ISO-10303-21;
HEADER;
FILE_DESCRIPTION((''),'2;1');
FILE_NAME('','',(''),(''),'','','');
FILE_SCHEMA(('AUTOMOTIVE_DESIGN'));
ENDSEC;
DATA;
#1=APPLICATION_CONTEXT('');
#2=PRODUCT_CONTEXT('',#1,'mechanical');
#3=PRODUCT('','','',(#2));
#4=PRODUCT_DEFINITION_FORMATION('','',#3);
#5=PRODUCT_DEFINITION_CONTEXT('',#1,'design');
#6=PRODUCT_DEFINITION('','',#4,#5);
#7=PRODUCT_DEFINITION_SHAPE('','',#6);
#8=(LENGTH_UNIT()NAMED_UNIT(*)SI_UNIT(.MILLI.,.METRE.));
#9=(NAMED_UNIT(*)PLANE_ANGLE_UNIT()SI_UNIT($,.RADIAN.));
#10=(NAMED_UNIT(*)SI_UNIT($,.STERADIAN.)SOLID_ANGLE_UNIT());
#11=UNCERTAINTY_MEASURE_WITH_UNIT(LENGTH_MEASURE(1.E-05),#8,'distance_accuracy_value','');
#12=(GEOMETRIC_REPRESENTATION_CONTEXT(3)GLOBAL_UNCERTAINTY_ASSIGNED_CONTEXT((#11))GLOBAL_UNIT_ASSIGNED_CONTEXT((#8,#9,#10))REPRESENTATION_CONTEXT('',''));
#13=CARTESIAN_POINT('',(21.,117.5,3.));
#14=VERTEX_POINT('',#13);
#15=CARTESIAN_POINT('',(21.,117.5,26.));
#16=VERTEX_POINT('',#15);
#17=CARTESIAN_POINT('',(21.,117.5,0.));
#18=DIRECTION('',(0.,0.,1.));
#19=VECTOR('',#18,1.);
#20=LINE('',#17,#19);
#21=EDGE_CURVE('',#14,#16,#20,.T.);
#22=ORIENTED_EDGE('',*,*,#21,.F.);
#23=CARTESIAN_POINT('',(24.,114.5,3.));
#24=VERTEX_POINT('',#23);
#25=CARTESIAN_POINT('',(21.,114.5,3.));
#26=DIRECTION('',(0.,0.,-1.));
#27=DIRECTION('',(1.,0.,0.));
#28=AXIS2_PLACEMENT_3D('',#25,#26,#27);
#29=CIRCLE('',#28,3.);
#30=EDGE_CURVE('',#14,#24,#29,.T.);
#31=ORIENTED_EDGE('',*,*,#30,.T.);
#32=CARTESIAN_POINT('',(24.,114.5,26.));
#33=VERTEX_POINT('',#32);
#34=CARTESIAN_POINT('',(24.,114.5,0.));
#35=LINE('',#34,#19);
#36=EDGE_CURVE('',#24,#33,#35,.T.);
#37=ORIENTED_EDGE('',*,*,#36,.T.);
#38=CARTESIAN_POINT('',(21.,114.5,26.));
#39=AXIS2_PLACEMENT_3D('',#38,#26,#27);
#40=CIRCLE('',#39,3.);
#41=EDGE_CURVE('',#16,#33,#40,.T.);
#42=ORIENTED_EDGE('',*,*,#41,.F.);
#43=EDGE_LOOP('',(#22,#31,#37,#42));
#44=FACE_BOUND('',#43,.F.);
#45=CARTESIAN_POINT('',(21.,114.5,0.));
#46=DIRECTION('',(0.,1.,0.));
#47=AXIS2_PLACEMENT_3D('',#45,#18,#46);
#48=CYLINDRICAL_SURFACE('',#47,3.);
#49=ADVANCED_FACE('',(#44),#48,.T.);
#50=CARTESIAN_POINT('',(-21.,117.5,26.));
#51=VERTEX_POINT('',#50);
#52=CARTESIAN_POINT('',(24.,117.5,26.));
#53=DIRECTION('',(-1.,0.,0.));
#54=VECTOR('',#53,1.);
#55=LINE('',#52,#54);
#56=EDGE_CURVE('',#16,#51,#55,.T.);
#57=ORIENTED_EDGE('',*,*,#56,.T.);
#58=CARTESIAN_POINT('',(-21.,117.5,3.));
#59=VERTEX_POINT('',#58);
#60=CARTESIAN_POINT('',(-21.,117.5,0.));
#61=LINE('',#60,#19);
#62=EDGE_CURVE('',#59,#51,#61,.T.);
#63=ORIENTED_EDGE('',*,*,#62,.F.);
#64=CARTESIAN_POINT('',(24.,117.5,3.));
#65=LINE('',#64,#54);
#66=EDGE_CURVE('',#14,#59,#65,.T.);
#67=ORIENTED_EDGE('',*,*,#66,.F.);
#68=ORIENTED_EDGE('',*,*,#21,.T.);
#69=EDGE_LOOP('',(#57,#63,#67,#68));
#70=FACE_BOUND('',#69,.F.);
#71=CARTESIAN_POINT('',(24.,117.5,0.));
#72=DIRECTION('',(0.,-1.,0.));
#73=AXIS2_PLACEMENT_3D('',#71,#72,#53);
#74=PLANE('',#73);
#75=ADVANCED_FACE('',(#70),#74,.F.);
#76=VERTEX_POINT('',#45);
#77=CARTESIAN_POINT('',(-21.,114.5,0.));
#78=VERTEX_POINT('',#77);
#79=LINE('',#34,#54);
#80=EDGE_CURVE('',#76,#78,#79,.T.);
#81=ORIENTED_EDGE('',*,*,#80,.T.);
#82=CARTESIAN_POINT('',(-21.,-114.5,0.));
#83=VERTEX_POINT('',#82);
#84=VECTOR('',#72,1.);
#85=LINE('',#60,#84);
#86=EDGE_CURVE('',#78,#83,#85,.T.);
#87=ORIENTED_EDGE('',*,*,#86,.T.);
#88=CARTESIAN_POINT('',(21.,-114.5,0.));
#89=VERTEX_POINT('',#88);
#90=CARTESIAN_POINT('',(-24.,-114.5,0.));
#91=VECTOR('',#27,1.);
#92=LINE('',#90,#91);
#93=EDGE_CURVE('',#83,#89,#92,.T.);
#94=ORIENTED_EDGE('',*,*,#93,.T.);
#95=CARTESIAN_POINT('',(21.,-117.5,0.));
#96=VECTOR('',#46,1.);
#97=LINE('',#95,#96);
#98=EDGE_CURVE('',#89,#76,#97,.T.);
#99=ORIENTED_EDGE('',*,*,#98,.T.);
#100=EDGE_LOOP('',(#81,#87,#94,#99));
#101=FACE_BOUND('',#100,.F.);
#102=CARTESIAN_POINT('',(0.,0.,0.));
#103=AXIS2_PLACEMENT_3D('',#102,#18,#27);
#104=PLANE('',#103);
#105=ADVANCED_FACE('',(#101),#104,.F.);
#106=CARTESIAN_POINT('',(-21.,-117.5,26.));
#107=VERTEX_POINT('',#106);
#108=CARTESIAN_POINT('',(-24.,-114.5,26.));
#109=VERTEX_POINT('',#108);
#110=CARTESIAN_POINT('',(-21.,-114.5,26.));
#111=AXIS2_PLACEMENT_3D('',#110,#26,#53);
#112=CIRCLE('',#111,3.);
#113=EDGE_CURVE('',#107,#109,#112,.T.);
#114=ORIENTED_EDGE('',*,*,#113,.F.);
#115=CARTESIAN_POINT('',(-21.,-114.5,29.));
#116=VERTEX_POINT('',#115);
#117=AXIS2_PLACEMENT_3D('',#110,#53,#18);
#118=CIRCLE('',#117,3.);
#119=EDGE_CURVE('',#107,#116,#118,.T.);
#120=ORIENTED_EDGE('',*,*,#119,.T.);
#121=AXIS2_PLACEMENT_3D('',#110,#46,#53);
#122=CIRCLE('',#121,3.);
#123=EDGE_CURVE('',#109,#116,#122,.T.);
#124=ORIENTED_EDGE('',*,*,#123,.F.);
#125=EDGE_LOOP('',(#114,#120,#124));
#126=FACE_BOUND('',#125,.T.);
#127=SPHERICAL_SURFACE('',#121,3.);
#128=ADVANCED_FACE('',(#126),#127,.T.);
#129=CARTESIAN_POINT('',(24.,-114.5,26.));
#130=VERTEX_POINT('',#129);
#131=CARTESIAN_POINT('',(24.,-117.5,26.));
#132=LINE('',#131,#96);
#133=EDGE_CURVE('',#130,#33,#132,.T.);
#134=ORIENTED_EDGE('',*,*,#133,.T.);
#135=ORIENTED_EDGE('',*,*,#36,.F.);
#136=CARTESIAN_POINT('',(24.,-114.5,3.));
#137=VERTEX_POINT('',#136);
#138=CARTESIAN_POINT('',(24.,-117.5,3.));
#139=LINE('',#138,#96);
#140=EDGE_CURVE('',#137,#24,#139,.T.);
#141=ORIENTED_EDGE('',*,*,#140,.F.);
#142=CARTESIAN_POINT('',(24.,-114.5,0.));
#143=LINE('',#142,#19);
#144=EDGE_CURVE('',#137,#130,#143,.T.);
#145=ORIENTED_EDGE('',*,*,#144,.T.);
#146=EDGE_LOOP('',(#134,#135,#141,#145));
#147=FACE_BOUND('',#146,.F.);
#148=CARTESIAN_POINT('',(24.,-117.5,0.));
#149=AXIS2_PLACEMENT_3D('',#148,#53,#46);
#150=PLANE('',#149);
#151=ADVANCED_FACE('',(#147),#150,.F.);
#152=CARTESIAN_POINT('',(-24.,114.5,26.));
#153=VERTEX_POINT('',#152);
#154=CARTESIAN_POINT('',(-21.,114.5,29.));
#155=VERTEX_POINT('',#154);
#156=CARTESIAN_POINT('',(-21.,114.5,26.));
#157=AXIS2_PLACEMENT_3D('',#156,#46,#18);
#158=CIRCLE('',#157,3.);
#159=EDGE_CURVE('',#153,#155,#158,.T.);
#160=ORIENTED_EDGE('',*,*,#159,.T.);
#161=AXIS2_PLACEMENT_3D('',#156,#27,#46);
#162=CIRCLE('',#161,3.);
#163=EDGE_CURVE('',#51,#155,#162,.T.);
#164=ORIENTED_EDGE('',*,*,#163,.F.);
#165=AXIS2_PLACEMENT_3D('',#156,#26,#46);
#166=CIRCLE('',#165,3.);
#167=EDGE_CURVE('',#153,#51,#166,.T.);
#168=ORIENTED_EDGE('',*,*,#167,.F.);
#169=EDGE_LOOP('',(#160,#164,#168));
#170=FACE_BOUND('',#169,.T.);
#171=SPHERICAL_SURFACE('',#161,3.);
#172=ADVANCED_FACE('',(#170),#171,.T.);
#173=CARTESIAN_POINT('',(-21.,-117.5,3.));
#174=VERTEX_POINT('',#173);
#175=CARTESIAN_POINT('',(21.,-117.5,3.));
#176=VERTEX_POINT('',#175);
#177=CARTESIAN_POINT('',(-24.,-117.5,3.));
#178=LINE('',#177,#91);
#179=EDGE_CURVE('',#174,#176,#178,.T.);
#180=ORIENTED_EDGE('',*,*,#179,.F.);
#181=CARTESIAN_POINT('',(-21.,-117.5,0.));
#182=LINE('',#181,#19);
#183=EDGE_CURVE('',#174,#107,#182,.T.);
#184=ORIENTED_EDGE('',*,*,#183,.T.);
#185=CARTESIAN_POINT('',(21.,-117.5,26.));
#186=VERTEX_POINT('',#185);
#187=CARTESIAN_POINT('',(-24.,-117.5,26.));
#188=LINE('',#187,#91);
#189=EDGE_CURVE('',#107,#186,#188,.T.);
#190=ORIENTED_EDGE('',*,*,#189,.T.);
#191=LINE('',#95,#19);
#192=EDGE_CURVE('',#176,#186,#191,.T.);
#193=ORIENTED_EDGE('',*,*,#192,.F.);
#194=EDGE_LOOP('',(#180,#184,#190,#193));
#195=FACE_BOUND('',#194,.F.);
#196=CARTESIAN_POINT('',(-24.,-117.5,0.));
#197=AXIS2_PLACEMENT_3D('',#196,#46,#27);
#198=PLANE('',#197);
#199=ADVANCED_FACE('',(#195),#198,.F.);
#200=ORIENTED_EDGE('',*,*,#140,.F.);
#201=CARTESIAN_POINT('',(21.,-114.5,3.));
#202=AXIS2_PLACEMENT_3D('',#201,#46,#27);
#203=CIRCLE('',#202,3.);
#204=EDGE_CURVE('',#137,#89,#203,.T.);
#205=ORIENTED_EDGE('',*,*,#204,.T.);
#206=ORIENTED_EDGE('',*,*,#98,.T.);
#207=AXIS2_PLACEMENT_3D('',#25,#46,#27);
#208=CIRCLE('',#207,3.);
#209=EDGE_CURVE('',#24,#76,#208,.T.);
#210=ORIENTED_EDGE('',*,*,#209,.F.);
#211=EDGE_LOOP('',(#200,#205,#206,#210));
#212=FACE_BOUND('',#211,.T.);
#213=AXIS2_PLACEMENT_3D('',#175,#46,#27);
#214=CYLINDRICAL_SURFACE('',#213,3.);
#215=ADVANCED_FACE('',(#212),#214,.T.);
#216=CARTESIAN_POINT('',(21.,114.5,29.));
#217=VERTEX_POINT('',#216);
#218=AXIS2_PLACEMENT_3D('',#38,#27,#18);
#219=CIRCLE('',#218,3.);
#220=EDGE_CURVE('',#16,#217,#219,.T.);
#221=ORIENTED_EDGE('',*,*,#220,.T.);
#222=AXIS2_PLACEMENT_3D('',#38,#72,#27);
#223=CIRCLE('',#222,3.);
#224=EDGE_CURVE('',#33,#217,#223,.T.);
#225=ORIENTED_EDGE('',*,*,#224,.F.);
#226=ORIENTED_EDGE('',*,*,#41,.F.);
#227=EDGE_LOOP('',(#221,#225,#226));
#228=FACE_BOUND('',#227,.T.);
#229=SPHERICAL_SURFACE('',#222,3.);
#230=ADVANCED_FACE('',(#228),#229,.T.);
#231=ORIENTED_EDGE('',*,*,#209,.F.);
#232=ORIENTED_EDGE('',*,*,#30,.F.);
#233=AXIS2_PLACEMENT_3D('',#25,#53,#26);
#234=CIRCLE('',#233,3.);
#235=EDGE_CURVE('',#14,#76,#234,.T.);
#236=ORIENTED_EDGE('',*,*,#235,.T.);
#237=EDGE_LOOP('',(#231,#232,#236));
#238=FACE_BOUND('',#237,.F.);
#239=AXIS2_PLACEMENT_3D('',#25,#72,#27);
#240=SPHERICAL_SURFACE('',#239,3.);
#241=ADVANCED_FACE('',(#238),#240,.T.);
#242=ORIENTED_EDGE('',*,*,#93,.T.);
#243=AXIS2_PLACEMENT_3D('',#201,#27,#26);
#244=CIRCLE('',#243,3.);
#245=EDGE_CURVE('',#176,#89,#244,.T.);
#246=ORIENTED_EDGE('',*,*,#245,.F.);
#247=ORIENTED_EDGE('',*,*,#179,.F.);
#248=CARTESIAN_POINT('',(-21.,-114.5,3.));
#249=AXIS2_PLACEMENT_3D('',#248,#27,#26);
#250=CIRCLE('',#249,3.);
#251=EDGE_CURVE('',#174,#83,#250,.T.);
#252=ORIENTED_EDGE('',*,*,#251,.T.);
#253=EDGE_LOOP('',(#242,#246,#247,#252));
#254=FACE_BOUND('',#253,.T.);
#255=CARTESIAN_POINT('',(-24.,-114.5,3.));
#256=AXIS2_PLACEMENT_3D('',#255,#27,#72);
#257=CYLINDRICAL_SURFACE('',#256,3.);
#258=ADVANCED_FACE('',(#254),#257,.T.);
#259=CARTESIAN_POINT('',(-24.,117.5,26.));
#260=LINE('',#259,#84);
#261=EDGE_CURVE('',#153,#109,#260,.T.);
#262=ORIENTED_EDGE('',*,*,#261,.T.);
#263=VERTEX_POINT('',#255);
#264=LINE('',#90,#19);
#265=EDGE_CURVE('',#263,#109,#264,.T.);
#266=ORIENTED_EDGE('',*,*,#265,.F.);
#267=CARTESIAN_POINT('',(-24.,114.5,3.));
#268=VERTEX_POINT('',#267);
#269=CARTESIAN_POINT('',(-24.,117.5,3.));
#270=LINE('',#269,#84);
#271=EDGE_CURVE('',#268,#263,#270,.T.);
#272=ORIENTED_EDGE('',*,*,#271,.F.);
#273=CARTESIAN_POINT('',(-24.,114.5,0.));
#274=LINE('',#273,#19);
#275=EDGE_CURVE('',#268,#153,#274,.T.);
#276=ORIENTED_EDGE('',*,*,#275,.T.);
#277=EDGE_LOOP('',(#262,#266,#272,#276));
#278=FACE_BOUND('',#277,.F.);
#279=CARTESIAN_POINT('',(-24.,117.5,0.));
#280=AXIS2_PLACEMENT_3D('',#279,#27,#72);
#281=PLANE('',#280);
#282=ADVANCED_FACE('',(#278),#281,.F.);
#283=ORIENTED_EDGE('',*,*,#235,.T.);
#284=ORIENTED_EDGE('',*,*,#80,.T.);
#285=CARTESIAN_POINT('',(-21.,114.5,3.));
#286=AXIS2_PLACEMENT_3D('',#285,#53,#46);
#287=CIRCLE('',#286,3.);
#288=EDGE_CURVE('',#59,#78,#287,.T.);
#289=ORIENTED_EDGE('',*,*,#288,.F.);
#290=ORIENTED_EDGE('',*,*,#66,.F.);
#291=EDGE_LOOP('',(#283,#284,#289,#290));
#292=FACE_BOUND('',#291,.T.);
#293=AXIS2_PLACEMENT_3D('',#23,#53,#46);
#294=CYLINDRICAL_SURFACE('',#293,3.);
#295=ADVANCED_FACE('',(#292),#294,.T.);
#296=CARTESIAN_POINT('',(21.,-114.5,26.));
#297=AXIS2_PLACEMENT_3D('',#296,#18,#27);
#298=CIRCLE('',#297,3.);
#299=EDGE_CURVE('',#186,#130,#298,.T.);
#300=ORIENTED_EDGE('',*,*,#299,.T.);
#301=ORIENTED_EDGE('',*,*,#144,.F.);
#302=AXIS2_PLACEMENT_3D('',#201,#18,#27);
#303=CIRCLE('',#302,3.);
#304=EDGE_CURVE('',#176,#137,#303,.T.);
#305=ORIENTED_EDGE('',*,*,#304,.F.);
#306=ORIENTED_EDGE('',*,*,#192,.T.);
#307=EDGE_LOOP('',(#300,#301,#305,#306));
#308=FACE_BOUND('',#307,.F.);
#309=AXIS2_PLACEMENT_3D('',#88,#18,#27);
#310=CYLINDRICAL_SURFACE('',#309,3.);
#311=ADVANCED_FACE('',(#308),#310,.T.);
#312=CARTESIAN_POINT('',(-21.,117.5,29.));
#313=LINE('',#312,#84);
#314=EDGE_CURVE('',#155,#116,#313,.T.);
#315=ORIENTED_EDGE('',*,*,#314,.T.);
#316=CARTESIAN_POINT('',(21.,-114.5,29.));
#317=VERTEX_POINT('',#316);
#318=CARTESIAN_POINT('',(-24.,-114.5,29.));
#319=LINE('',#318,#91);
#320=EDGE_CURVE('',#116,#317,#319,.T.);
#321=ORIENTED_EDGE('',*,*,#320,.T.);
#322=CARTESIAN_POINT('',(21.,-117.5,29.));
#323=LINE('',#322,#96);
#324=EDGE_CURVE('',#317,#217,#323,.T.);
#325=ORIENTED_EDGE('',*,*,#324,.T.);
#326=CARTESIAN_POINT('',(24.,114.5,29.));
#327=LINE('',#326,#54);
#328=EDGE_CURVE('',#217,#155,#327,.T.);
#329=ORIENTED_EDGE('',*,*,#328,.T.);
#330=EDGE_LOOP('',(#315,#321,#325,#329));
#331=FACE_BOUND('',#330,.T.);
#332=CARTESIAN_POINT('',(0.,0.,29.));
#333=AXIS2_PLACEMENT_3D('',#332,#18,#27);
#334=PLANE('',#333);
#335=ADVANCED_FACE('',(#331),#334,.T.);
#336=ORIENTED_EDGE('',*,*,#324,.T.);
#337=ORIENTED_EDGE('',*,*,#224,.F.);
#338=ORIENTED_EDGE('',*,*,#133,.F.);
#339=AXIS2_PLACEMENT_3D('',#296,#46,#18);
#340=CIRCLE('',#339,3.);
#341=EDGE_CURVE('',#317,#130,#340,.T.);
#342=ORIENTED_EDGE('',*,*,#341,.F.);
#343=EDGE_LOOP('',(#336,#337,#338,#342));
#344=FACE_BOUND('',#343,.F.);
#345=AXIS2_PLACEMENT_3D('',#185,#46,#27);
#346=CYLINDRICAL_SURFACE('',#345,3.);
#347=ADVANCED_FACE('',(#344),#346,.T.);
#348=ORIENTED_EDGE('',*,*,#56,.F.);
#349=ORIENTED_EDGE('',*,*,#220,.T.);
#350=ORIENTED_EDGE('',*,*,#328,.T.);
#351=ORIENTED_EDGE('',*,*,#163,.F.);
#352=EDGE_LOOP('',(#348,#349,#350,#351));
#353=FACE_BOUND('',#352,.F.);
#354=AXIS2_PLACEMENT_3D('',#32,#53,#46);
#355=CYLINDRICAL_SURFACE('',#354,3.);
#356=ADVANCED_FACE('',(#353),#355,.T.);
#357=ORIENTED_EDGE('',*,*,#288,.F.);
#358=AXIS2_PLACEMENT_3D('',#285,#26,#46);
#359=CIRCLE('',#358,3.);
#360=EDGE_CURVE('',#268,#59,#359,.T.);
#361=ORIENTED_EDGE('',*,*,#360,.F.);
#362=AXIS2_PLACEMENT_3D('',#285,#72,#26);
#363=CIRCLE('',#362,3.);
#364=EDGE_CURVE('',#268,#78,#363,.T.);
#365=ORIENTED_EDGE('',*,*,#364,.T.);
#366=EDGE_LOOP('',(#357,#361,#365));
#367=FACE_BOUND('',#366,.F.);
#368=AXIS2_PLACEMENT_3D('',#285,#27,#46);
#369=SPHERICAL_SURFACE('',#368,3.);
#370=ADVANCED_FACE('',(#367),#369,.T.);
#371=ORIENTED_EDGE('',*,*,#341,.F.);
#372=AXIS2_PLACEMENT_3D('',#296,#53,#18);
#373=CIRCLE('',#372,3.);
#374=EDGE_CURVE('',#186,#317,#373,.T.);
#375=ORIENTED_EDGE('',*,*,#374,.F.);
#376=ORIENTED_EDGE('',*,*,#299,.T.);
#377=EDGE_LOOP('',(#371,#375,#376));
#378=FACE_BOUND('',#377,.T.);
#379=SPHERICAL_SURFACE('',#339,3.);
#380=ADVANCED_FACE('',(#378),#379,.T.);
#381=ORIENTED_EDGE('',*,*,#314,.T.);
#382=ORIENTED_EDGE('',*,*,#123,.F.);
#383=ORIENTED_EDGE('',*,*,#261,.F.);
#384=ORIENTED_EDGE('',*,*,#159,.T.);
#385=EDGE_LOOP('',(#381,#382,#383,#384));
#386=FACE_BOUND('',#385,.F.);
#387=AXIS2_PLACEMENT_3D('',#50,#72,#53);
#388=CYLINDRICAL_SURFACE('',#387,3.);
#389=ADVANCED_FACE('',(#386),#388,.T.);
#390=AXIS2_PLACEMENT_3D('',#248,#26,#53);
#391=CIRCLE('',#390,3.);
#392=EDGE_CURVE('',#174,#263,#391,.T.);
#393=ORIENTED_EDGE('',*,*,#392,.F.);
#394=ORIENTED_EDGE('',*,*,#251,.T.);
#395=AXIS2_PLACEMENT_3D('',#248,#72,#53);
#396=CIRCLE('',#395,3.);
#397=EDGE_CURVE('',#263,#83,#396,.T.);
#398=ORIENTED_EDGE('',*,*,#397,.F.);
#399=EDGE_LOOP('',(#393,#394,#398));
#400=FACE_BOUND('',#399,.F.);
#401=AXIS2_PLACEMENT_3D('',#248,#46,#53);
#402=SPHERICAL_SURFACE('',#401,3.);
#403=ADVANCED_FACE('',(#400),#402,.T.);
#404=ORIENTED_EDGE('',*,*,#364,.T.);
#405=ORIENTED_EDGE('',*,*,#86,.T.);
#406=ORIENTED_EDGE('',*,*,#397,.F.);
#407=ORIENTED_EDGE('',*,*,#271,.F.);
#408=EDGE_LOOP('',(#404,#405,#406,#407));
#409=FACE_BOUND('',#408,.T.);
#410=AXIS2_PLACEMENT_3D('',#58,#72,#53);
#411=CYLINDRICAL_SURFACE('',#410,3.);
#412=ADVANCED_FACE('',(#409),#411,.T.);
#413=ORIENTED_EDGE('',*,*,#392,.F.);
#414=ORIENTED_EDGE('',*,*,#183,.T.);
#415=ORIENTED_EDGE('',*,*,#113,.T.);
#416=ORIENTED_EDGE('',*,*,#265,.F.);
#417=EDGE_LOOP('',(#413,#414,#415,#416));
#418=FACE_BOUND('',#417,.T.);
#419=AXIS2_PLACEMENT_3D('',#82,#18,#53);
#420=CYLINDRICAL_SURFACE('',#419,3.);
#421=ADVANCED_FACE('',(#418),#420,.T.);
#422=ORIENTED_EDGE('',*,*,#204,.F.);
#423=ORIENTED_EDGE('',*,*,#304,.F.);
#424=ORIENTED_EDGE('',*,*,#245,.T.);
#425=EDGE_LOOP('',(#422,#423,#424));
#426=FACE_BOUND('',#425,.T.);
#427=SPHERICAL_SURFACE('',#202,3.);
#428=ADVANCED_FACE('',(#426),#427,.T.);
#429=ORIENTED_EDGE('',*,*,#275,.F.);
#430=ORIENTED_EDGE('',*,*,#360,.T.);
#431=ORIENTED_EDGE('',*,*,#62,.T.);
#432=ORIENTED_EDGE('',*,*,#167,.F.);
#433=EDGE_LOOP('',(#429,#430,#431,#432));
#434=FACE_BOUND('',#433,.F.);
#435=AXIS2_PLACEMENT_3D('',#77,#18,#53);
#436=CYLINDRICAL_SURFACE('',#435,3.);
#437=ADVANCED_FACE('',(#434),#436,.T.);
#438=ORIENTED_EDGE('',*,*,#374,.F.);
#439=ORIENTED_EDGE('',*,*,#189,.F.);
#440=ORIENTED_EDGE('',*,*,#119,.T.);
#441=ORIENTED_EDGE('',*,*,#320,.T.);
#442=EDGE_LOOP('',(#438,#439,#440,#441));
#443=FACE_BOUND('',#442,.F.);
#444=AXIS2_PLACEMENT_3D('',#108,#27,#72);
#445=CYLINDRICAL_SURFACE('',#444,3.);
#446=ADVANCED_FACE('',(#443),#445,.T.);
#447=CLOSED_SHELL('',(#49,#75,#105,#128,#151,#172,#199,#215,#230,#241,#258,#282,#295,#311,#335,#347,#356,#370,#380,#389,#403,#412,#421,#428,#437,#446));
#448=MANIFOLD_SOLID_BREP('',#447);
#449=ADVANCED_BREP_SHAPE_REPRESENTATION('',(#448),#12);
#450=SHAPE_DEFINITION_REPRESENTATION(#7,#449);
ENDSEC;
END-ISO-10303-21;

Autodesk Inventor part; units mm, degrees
ref_plane "YZ Plane" through (0, 0, 0) normal (1, 0, 0) x (0, 1, 0)
ref_plane "XZ Plane" through (0, 0, 0) normal (0, 1, 0) x (-1, 0, 0)
ref_plane "XY Plane" through (0, 0, 0) normal (0, 0, 1) x (1, 0, 0)
sketch "Sketch1" plane through (0, 0, 0) normal (0, 0, 1) x (1, 0, 0)
  line L0 (-24, -117.5) -> (24, -117.5)
  line L1 (24, -117.5) -> (24, 117.5)
  line L2 (24, 117.5) -> (-24, 117.5)
  line L3 (-24, 117.5) -> (-24, -117.5)
  line L4 (-24, -117.5) -> (24, 117.5) construction
  line L5 (24, -117.5) -> (-24, 117.5) construction
  point P0 (0, 0)
  dimension "d0" = 48
  dimension "d1" = 235
extrude "Extrusion1" add sketch "Sketch1" along normal blind 29
fillet "Fillet1" radius 3 12 edges at (24, 0, 29) (24, 0, 0) (24, 117.5, 14.5) (0, 117.5, 29) (0, 117.5, 0) (-24, 117.5, 14.5) (-24, 0, 29) (-24, 0, 0) (-24, -117.5, 14.5) (0, -117.5, 29) (24, -117.5, 14.5) (0, -117.5, 0)
properties part number "PSU" material "Aluminum 6061"
